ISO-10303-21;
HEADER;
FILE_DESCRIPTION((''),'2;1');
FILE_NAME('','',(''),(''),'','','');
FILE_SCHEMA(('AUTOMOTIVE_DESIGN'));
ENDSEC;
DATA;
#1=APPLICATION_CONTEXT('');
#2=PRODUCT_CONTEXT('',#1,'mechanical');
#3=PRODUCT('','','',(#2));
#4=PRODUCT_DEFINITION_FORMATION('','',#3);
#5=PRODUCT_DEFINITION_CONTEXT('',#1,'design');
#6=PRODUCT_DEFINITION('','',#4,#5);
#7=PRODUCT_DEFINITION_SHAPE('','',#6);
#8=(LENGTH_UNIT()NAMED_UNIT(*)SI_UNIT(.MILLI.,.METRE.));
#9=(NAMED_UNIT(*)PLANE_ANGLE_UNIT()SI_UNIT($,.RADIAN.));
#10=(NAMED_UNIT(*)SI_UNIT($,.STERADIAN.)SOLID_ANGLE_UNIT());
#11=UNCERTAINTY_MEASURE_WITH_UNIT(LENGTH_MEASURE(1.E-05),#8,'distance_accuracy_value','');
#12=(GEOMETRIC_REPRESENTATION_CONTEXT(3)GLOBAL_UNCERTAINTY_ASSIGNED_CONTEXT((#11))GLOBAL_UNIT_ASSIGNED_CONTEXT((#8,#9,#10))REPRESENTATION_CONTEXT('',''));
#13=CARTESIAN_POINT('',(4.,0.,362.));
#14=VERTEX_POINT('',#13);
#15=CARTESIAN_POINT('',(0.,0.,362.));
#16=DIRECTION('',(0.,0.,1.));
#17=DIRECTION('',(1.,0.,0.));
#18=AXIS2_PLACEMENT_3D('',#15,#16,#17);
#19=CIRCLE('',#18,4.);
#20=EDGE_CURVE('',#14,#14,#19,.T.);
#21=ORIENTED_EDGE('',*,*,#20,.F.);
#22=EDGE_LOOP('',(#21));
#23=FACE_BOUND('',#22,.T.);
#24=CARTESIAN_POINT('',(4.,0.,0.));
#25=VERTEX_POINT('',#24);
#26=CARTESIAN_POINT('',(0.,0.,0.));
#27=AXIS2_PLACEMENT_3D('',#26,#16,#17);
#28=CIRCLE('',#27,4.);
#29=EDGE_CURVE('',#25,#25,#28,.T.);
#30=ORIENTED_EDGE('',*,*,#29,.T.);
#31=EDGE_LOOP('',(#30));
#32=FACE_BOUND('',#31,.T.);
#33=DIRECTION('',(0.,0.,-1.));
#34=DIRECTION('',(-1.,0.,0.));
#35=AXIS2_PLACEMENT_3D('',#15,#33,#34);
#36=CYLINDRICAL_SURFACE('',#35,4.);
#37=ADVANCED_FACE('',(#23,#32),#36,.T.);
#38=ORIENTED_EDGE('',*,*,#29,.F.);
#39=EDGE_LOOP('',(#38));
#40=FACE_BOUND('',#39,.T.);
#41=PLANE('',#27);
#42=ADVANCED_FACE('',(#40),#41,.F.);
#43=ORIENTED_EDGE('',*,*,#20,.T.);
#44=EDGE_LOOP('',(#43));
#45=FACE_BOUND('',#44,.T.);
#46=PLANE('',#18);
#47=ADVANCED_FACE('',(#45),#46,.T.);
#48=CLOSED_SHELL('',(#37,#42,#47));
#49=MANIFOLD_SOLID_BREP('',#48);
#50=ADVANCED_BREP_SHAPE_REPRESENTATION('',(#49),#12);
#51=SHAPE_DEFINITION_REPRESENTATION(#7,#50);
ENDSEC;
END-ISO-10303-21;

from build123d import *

# Parameters (mm, degrees)
SKETCH_1_R      = 4
EXTRUDE_1_DEPTH = 362


with BuildPart() as part:
    # 草图1 → 凸台-拉伸1 (new body)
    with BuildSketch(Plane.XY):
        Circle(SKETCH_1_R)
    extrude(amount=EXTRUDE_1_DEPTH)


solid = part.part
